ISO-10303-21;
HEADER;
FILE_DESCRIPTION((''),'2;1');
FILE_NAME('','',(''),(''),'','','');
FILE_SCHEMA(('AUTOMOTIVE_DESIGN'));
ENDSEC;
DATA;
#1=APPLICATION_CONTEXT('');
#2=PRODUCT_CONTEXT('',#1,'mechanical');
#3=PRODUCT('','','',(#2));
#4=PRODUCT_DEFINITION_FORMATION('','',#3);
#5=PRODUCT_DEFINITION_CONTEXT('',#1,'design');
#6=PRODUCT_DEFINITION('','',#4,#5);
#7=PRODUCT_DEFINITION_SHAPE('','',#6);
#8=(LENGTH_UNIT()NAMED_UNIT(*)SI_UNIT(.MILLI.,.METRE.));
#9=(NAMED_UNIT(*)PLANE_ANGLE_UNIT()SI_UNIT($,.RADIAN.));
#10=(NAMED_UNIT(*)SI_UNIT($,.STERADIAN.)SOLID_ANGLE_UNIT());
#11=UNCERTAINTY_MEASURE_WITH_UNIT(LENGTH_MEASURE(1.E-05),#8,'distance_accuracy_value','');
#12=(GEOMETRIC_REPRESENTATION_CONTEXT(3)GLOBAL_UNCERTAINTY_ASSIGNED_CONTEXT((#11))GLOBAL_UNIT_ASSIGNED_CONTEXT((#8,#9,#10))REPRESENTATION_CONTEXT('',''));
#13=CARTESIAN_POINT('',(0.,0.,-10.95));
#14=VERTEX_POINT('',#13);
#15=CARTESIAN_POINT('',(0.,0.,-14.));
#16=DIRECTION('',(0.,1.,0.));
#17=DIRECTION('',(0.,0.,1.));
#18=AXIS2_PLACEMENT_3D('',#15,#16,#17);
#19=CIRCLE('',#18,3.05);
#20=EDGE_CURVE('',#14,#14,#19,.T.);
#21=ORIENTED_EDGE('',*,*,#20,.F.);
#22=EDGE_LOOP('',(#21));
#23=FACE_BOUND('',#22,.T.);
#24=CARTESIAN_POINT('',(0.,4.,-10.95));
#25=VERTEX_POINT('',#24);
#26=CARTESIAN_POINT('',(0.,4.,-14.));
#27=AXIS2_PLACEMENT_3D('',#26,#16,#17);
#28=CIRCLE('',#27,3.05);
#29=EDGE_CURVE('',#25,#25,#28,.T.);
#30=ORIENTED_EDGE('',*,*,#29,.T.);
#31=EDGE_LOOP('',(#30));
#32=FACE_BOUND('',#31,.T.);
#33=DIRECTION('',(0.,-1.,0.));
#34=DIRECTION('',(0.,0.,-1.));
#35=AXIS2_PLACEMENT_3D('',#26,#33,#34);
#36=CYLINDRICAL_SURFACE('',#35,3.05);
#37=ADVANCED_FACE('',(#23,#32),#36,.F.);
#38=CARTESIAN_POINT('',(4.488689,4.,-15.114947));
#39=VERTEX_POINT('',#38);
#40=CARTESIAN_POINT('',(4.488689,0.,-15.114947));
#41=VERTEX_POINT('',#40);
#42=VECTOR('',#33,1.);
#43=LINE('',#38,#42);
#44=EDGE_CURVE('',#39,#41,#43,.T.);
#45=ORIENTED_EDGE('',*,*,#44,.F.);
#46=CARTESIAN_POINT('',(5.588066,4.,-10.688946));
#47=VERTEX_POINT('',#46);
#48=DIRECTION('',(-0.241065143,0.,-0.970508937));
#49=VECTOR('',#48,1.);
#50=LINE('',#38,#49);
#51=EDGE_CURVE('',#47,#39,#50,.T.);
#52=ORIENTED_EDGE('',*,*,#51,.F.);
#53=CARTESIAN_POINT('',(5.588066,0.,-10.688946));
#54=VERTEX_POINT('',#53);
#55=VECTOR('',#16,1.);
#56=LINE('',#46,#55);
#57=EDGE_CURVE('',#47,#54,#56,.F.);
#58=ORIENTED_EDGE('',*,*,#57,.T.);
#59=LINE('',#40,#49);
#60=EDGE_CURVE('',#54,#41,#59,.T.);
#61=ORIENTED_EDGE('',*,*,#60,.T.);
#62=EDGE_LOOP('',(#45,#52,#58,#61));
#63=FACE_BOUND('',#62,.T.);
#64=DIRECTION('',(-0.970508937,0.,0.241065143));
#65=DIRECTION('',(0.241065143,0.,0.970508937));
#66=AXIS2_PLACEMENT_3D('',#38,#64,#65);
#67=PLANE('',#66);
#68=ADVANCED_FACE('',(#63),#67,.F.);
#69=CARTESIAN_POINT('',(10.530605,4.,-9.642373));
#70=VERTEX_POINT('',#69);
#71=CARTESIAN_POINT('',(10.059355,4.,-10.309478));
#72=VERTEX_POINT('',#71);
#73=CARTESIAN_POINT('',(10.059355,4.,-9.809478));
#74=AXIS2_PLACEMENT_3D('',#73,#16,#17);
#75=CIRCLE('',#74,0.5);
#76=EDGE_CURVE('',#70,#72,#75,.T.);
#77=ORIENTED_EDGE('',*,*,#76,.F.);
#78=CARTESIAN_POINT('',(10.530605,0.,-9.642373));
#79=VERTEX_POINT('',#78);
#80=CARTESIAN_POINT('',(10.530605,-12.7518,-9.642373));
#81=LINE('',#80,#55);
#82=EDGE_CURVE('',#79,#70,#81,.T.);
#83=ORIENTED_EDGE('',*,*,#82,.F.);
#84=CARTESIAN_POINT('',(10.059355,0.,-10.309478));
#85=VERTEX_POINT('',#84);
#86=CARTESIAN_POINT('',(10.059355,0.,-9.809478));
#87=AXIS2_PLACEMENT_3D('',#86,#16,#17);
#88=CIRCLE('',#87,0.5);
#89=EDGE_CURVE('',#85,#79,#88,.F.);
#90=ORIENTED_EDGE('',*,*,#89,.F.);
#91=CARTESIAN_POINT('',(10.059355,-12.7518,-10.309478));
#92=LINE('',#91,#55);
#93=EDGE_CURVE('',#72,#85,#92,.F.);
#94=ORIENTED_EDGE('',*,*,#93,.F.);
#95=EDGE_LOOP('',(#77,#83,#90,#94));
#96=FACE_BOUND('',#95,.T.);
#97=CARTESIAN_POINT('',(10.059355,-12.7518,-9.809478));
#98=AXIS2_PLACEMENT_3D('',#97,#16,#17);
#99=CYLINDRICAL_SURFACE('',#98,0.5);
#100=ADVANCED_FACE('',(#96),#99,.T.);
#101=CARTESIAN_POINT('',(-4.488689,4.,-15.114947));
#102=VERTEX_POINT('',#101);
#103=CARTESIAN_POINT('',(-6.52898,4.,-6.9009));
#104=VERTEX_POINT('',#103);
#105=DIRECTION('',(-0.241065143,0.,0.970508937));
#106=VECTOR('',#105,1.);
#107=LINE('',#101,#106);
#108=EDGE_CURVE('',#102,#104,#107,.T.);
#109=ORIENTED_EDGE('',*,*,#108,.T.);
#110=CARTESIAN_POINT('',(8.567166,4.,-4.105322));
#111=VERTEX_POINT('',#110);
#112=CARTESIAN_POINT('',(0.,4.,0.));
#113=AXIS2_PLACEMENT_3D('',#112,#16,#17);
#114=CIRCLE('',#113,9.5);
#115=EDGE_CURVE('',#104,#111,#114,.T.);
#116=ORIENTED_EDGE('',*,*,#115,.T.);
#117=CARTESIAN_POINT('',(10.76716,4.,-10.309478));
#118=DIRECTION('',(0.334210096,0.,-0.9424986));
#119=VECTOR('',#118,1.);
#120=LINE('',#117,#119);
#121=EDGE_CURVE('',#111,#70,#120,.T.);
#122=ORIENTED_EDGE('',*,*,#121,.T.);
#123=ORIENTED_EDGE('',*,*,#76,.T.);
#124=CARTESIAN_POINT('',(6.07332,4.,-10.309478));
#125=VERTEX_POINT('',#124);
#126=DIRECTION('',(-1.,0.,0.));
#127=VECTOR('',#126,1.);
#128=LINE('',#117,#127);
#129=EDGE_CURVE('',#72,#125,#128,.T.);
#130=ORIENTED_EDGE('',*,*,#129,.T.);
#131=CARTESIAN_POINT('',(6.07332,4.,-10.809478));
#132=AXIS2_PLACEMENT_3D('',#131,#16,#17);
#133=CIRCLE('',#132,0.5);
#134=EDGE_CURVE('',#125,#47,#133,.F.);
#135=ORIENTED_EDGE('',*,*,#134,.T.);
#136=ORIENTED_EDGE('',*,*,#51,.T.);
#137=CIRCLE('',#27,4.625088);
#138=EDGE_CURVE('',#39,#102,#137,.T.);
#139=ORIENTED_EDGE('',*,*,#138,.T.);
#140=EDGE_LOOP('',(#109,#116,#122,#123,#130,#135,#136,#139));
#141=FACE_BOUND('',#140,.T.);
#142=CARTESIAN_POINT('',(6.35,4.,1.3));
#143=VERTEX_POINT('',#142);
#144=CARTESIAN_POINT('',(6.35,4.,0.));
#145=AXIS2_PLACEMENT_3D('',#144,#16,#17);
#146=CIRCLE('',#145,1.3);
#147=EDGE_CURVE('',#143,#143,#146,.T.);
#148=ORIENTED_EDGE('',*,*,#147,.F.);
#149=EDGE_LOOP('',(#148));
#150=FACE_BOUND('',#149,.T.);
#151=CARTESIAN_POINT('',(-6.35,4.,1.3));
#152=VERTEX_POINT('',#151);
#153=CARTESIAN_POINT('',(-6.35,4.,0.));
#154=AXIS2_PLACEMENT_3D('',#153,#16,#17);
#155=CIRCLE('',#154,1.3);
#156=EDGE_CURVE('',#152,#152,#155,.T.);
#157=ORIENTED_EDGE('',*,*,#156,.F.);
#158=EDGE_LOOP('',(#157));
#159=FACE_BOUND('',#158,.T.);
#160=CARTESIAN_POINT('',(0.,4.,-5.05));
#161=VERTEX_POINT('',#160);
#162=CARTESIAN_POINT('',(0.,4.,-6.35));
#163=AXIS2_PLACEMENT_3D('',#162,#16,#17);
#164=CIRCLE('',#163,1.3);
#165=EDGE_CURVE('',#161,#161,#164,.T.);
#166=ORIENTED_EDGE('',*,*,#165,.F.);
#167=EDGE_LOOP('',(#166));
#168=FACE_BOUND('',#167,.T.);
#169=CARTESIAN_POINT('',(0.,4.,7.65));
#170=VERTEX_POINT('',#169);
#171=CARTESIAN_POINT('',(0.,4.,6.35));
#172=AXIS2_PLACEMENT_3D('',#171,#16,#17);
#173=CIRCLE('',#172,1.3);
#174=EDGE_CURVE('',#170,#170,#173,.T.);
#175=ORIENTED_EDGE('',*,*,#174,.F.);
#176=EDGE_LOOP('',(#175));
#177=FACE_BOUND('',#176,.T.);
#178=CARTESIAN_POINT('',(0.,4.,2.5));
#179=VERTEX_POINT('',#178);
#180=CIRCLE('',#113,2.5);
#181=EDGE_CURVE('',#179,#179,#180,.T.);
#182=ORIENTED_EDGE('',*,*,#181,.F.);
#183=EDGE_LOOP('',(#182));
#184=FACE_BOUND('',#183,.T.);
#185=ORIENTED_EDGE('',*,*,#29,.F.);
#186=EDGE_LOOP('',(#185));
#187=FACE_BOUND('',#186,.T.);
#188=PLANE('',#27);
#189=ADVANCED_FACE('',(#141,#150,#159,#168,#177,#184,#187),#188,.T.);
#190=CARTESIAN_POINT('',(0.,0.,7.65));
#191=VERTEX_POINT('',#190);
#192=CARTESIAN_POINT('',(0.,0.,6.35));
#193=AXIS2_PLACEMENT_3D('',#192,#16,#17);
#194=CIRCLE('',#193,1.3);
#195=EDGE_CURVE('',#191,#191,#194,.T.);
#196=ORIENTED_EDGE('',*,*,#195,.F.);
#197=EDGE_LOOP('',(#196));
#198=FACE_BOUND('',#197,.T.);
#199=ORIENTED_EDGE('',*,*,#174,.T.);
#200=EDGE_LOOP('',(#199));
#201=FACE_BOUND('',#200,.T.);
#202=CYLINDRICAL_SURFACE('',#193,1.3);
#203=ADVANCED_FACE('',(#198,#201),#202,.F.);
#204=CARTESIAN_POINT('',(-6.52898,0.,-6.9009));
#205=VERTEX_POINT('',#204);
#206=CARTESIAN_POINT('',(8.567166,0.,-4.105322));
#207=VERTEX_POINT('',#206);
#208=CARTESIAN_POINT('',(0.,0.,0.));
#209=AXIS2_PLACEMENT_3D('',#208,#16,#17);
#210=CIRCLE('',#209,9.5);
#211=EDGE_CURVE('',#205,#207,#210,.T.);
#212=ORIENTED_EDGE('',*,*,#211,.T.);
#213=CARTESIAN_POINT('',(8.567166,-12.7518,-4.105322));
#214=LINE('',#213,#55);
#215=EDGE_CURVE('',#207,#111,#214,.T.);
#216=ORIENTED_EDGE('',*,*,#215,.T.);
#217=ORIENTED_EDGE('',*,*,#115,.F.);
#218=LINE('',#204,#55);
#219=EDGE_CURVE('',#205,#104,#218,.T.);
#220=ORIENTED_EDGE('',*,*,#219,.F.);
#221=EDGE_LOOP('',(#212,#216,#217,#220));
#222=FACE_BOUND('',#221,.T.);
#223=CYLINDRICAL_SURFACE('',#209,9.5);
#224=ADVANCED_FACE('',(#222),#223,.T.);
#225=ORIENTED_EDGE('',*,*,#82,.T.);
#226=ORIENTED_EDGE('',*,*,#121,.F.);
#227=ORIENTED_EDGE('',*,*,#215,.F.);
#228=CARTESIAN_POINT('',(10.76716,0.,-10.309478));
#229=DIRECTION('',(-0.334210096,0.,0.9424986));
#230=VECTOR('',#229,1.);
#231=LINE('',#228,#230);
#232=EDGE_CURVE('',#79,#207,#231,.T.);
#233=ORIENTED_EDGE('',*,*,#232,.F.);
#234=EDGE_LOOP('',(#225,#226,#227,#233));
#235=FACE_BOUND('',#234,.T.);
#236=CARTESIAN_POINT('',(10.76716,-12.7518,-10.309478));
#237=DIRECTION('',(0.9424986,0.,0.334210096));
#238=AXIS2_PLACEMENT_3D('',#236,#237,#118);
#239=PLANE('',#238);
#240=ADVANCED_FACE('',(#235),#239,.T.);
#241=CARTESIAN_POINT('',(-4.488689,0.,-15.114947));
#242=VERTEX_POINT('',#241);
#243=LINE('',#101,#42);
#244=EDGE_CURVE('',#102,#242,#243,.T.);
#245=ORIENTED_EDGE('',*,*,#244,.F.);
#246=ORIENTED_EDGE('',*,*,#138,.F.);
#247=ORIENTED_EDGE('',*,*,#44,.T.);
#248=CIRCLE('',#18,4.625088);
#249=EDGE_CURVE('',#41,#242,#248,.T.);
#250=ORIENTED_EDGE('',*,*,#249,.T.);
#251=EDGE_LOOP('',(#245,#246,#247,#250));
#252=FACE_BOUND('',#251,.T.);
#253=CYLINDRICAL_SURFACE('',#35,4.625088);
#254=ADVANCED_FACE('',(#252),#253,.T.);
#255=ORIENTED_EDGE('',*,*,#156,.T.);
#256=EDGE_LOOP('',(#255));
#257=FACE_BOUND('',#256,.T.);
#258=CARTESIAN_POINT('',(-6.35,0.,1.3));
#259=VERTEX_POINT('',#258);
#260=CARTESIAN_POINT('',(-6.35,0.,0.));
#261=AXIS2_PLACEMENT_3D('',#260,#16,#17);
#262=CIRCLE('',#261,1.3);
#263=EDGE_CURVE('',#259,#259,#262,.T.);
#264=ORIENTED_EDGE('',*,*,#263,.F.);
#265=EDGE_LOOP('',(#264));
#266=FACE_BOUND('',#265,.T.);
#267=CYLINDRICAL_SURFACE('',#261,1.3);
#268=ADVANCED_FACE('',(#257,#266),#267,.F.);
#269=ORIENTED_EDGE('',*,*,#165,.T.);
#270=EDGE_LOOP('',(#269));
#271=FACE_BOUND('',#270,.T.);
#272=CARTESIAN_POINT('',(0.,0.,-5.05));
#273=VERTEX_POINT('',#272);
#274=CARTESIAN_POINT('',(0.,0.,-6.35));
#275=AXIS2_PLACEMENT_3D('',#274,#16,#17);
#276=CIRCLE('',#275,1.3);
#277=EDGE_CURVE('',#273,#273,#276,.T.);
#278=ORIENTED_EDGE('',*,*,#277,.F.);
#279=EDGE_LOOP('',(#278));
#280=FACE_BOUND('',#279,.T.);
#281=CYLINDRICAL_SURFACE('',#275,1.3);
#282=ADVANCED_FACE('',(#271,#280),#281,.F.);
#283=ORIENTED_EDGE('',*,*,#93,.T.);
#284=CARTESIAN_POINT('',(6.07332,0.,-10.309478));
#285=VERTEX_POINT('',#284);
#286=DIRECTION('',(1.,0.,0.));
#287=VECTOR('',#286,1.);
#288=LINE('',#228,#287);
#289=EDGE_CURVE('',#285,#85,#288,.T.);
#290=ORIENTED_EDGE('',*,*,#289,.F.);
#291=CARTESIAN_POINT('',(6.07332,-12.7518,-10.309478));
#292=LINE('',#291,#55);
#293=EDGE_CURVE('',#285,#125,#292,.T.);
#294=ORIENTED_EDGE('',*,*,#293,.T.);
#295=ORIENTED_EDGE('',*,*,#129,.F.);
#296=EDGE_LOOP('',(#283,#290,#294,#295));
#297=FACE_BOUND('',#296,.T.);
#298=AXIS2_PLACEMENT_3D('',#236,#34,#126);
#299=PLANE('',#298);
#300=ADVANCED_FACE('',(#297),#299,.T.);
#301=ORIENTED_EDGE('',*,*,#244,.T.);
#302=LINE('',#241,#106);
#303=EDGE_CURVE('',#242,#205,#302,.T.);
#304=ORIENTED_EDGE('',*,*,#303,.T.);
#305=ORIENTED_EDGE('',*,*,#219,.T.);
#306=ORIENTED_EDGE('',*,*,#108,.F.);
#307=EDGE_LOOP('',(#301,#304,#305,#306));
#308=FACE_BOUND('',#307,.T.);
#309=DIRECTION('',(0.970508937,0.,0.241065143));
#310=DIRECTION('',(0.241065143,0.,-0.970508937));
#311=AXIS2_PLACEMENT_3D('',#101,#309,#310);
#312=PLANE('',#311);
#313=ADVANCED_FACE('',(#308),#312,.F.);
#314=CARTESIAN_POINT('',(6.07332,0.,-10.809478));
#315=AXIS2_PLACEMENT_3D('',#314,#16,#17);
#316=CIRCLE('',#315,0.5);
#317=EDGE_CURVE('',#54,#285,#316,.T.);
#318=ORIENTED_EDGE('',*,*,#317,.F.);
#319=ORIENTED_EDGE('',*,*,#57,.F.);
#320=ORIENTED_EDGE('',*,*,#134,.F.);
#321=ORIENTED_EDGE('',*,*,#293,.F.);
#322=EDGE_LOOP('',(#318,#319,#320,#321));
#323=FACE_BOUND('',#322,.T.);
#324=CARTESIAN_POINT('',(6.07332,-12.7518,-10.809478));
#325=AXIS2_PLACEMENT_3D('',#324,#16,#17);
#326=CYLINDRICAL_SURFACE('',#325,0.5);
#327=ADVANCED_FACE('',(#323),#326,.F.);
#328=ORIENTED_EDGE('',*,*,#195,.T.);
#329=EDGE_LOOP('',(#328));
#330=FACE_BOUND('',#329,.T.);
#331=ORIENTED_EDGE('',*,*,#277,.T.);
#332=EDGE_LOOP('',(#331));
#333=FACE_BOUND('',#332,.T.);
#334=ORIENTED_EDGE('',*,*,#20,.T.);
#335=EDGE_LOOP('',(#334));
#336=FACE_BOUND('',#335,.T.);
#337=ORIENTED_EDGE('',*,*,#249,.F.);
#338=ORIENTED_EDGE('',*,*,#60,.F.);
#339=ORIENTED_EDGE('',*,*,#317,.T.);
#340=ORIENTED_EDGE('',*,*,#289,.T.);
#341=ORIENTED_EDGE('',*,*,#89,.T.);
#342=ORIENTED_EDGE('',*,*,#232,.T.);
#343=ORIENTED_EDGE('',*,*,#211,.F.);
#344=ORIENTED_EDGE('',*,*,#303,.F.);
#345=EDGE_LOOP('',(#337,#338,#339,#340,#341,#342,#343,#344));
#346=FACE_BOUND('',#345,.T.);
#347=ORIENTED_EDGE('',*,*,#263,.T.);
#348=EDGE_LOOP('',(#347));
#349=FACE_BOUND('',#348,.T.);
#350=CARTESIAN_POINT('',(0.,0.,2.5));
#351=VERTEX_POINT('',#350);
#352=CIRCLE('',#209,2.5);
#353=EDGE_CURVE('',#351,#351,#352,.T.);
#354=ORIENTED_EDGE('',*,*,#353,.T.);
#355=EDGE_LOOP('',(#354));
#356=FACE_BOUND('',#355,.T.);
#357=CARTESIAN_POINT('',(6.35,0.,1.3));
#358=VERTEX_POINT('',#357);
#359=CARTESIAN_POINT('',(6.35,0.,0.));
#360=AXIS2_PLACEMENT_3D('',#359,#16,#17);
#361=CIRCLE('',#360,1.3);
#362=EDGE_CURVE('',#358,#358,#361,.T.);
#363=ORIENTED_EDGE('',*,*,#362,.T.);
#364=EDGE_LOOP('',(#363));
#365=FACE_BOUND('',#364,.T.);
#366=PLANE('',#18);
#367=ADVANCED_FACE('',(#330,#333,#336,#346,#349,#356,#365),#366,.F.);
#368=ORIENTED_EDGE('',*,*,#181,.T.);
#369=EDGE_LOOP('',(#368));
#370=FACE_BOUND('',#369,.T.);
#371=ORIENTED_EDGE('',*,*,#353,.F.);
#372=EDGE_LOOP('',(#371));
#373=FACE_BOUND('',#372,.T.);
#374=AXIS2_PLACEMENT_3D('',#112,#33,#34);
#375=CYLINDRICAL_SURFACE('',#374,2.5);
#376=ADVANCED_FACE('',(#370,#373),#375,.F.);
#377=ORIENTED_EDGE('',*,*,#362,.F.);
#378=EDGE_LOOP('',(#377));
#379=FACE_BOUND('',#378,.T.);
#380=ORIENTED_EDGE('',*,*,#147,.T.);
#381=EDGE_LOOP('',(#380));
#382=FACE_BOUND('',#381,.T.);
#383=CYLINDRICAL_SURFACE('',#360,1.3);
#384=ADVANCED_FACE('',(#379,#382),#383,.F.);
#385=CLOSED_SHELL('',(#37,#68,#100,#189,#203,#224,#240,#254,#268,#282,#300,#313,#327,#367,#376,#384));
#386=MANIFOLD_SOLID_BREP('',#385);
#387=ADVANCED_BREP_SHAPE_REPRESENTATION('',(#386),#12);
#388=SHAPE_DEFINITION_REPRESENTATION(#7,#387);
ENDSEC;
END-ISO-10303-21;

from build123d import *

# Parameters (mm, degrees)
SKETCH1_R           = 3.05
SKETCH1_R_2         = 2.5
BOSS_EXTRUDE1_DEPTH = 4
SKETCH2_R           = 1.3
CUT_EXTRUDE1_DEPTH  = 4
SKETCH3_R           = 7.65
BOSS_EXTRUDE2_DEPTH = 4
BOSS_EXTRUDE3_DEPTH = 4
FILLET9_R           = 0.5


with BuildPart() as part:
    # Sketch1 → Boss-Extrude1 (new body)
    with BuildSketch(Plane(origin=(0, 0, 0), x_dir=(1, 0, 0), z_dir=(0, 1, 0))):
        with BuildLine():
            Line((-4.488689239, 15.114947499), (-7.764071496, 1.928521143))
            ThreePointArc((-7.764071496, 1.928521143), (0, -8), (7.764071496, 1.928521143))
            Line((7.764071496, 1.928521143), (4.488689239, 15.114947499))
            ThreePointArc((4.488689239, 15.114947499), (0, 18.625088), (-4.488689239, 15.114947499))
        make_face()
        with Locations((0, 14)):
            Circle(SKETCH1_R, mode=Mode.SUBTRACT)
        Circle(SKETCH1_R_2, mode=Mode.SUBTRACT)
    extrude(amount=BOSS_EXTRUDE1_DEPTH)

    # Sketch2 → Cut-Extrude1 (cut)
    with BuildSketch(Plane(origin=(0, 4, 0), x_dir=(1, 0, 0), z_dir=(0, 1, 0))):
        with Locations((0, 6.35)):
            Circle(SKETCH2_R)
        with Locations((6.35, 0)):
            Circle(SKETCH2_R)
        with Locations((0, -6.35)):
            Circle(SKETCH2_R)
        with Locations((-6.35, 0)):
            Circle(SKETCH2_R)
    extrude(amount=-CUT_EXTRUDE1_DEPTH, mode=Mode.SUBTRACT)

    # Sketch3 → Boss-Extrude2 (add)
    with BuildSketch(Plane(origin=(0, 4, 0), x_dir=(1, 0, 0), z_dir=(0, 1, 0))):
        with BuildLine():
            ThreePointArc((-1.549317863, 9.3728125), (0, -9.5), (1.549317863, 9.3728125))
            ThreePointArc((1.549317863, 9.3728125), (0, 9.120322757), (-1.549317863, 9.3728125))
        make_face()
        Circle(SKETCH3_R, mode=Mode.SUBTRACT)
    extrude(amount=-BOSS_EXTRUDE2_DEPTH)

    # Sketch4 → Boss-Extrude3 (add)
    with BuildSketch(Plane(origin=(0, 4, 0), x_dir=(1, 0, 0), z_dir=(0, 1, 0))):
        with BuildLine():
            Line((10.767160229, 10.309478294), (8.567165836, 4.1053221))
            Line((8.567165836, 4.1053221), (2.165063509, 1.25))
            ThreePointArc((2.165063509, 1.25), (1.994303817, 1.507565019), (1.793071605, 1.742094779))
            Line((1.793071605, 1.742094779), (5.682321854, 10.309478294))
            Line((5.682321854, 10.309478294), (10.767160229, 10.309478294))
        make_face()
    extrude(amount=-BOSS_EXTRUDE3_DEPTH)

    # Fillet9
    fillet9_edges = [part.edges().sort_by_distance(p)[0] for p in [
        (5.682321854, 2, -10.309478294),
        (10.767160229, 2, -10.309478294),
    ]]
    fillet(fillet9_edges, radius=FILLET9_R)


solid = part.part
